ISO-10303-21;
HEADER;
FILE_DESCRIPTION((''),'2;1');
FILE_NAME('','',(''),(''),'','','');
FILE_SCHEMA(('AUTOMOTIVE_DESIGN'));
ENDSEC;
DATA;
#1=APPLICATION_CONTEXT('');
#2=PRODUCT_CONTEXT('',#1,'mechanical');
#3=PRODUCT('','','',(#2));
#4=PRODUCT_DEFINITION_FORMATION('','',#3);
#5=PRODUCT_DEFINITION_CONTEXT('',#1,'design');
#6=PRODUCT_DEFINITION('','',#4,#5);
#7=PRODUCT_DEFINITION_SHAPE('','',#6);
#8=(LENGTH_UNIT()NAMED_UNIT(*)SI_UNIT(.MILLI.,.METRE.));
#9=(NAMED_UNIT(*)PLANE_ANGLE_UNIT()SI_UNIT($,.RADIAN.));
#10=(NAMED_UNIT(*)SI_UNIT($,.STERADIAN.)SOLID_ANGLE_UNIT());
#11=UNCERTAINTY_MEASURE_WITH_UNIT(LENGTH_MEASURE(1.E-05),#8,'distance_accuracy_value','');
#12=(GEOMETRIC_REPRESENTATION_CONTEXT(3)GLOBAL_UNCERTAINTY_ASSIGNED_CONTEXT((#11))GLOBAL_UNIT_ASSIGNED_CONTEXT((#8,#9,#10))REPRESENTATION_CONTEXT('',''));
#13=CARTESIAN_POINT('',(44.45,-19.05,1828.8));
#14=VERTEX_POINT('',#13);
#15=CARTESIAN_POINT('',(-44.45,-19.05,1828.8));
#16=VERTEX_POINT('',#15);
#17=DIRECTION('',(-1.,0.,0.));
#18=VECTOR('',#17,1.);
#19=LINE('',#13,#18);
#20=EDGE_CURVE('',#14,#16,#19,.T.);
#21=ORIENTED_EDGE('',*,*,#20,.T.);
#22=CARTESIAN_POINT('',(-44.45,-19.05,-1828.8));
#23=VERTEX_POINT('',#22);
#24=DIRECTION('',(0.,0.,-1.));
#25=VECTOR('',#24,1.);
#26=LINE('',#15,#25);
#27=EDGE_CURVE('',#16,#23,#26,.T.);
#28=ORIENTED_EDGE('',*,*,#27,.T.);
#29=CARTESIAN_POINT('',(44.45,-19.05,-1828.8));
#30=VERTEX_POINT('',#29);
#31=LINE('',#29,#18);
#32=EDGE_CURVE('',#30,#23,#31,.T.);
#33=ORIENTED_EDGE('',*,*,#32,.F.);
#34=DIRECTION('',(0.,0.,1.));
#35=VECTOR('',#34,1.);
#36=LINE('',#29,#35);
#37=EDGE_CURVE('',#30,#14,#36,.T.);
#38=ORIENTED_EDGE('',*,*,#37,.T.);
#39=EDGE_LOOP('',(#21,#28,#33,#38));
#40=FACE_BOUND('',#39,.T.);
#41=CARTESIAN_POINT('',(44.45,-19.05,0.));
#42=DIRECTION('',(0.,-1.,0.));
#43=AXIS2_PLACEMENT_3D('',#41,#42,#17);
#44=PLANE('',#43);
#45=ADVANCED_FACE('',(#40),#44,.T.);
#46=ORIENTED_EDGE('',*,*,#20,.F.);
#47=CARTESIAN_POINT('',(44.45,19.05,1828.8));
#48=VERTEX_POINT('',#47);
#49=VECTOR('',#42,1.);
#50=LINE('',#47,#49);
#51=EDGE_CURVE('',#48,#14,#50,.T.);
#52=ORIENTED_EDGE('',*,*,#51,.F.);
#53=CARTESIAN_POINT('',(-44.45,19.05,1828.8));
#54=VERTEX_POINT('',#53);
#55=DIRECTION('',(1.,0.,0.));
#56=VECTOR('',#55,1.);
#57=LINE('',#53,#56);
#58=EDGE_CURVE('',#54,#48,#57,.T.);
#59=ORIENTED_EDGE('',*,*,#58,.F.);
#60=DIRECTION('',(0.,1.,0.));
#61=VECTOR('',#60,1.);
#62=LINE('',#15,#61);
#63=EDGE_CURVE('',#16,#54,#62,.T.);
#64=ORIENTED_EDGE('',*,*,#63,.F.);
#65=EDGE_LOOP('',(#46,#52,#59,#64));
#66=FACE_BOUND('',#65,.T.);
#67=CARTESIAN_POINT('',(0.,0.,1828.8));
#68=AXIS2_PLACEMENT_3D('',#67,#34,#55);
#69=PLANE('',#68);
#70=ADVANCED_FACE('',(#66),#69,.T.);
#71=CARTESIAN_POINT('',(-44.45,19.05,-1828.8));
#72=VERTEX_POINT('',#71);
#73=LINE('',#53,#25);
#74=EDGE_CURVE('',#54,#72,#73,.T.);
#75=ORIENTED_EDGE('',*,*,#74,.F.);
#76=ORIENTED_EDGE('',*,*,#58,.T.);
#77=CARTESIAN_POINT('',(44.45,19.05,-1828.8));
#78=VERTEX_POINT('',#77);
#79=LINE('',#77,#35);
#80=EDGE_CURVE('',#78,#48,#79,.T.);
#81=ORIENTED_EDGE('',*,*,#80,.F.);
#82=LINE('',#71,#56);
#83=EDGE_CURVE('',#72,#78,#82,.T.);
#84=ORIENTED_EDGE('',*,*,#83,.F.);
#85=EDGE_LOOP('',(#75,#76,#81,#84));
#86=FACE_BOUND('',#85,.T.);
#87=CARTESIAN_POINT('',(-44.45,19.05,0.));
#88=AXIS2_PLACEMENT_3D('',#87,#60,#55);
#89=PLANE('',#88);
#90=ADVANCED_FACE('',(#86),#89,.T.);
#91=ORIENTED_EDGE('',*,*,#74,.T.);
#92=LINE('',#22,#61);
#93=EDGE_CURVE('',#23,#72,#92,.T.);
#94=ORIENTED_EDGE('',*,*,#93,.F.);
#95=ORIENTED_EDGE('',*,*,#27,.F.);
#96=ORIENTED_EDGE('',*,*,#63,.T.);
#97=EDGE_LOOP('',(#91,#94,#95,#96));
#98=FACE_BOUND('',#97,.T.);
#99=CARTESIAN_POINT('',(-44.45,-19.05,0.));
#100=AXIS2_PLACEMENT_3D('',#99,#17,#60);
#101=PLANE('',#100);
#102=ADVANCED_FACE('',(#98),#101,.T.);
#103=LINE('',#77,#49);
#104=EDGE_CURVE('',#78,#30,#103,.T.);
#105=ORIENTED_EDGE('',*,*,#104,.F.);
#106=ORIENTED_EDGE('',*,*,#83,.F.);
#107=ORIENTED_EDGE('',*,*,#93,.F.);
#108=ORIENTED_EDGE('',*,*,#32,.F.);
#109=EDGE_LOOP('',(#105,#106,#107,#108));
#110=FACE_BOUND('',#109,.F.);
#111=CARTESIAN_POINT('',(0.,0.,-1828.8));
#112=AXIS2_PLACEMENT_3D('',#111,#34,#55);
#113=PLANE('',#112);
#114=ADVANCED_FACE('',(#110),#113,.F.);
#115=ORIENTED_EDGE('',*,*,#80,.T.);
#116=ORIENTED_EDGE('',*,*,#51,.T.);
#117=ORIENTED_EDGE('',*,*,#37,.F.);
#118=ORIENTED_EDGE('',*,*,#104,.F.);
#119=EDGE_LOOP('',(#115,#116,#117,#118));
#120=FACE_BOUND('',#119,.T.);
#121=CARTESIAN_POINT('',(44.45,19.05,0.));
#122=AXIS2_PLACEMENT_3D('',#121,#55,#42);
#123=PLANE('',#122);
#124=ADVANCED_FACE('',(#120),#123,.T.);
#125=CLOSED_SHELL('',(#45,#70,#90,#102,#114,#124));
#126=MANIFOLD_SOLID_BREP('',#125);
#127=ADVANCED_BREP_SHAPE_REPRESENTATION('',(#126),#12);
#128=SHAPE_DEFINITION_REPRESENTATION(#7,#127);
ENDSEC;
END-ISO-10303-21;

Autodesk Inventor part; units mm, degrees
ref_plane "YZ Plane" through (0, 0, 0) normal (1, 0, 0) x (0, 1, 0)
ref_plane "XZ Plane" through (0, 0, 0) normal (0, 1, 0) x (-1, 0, 0)
ref_plane "XY Plane" through (0, 0, 0) normal (0, 0, 1) x (1, 0, 0)
sketch "Sketch1" plane through (0, 0, 0) normal (0, 0, 1) x (1, 0, 0)
  line L0 (44.45, -19.05) -> (-44.45, -19.05)
  line L1 (-44.45, -19.05) -> (-44.45, 19.05)
  line L2 (-44.45, 19.05) -> (44.45, 19.05)
  line L3 (44.45, 19.05) -> (44.45, -19.05)
  line L4 (44.45, -19.05) -> (-44.45, 19.05) construction
  line L5 (-44.45, -19.05) -> (44.45, 19.05) construction
  point P0 (0, 0)
  dimension "d0" = 88.9
  dimension "d1" = 38.1
extrude "Extrusion1" add sketch "Sketch1" along normal mid plane 3657.6
properties part number "2x4x144"
